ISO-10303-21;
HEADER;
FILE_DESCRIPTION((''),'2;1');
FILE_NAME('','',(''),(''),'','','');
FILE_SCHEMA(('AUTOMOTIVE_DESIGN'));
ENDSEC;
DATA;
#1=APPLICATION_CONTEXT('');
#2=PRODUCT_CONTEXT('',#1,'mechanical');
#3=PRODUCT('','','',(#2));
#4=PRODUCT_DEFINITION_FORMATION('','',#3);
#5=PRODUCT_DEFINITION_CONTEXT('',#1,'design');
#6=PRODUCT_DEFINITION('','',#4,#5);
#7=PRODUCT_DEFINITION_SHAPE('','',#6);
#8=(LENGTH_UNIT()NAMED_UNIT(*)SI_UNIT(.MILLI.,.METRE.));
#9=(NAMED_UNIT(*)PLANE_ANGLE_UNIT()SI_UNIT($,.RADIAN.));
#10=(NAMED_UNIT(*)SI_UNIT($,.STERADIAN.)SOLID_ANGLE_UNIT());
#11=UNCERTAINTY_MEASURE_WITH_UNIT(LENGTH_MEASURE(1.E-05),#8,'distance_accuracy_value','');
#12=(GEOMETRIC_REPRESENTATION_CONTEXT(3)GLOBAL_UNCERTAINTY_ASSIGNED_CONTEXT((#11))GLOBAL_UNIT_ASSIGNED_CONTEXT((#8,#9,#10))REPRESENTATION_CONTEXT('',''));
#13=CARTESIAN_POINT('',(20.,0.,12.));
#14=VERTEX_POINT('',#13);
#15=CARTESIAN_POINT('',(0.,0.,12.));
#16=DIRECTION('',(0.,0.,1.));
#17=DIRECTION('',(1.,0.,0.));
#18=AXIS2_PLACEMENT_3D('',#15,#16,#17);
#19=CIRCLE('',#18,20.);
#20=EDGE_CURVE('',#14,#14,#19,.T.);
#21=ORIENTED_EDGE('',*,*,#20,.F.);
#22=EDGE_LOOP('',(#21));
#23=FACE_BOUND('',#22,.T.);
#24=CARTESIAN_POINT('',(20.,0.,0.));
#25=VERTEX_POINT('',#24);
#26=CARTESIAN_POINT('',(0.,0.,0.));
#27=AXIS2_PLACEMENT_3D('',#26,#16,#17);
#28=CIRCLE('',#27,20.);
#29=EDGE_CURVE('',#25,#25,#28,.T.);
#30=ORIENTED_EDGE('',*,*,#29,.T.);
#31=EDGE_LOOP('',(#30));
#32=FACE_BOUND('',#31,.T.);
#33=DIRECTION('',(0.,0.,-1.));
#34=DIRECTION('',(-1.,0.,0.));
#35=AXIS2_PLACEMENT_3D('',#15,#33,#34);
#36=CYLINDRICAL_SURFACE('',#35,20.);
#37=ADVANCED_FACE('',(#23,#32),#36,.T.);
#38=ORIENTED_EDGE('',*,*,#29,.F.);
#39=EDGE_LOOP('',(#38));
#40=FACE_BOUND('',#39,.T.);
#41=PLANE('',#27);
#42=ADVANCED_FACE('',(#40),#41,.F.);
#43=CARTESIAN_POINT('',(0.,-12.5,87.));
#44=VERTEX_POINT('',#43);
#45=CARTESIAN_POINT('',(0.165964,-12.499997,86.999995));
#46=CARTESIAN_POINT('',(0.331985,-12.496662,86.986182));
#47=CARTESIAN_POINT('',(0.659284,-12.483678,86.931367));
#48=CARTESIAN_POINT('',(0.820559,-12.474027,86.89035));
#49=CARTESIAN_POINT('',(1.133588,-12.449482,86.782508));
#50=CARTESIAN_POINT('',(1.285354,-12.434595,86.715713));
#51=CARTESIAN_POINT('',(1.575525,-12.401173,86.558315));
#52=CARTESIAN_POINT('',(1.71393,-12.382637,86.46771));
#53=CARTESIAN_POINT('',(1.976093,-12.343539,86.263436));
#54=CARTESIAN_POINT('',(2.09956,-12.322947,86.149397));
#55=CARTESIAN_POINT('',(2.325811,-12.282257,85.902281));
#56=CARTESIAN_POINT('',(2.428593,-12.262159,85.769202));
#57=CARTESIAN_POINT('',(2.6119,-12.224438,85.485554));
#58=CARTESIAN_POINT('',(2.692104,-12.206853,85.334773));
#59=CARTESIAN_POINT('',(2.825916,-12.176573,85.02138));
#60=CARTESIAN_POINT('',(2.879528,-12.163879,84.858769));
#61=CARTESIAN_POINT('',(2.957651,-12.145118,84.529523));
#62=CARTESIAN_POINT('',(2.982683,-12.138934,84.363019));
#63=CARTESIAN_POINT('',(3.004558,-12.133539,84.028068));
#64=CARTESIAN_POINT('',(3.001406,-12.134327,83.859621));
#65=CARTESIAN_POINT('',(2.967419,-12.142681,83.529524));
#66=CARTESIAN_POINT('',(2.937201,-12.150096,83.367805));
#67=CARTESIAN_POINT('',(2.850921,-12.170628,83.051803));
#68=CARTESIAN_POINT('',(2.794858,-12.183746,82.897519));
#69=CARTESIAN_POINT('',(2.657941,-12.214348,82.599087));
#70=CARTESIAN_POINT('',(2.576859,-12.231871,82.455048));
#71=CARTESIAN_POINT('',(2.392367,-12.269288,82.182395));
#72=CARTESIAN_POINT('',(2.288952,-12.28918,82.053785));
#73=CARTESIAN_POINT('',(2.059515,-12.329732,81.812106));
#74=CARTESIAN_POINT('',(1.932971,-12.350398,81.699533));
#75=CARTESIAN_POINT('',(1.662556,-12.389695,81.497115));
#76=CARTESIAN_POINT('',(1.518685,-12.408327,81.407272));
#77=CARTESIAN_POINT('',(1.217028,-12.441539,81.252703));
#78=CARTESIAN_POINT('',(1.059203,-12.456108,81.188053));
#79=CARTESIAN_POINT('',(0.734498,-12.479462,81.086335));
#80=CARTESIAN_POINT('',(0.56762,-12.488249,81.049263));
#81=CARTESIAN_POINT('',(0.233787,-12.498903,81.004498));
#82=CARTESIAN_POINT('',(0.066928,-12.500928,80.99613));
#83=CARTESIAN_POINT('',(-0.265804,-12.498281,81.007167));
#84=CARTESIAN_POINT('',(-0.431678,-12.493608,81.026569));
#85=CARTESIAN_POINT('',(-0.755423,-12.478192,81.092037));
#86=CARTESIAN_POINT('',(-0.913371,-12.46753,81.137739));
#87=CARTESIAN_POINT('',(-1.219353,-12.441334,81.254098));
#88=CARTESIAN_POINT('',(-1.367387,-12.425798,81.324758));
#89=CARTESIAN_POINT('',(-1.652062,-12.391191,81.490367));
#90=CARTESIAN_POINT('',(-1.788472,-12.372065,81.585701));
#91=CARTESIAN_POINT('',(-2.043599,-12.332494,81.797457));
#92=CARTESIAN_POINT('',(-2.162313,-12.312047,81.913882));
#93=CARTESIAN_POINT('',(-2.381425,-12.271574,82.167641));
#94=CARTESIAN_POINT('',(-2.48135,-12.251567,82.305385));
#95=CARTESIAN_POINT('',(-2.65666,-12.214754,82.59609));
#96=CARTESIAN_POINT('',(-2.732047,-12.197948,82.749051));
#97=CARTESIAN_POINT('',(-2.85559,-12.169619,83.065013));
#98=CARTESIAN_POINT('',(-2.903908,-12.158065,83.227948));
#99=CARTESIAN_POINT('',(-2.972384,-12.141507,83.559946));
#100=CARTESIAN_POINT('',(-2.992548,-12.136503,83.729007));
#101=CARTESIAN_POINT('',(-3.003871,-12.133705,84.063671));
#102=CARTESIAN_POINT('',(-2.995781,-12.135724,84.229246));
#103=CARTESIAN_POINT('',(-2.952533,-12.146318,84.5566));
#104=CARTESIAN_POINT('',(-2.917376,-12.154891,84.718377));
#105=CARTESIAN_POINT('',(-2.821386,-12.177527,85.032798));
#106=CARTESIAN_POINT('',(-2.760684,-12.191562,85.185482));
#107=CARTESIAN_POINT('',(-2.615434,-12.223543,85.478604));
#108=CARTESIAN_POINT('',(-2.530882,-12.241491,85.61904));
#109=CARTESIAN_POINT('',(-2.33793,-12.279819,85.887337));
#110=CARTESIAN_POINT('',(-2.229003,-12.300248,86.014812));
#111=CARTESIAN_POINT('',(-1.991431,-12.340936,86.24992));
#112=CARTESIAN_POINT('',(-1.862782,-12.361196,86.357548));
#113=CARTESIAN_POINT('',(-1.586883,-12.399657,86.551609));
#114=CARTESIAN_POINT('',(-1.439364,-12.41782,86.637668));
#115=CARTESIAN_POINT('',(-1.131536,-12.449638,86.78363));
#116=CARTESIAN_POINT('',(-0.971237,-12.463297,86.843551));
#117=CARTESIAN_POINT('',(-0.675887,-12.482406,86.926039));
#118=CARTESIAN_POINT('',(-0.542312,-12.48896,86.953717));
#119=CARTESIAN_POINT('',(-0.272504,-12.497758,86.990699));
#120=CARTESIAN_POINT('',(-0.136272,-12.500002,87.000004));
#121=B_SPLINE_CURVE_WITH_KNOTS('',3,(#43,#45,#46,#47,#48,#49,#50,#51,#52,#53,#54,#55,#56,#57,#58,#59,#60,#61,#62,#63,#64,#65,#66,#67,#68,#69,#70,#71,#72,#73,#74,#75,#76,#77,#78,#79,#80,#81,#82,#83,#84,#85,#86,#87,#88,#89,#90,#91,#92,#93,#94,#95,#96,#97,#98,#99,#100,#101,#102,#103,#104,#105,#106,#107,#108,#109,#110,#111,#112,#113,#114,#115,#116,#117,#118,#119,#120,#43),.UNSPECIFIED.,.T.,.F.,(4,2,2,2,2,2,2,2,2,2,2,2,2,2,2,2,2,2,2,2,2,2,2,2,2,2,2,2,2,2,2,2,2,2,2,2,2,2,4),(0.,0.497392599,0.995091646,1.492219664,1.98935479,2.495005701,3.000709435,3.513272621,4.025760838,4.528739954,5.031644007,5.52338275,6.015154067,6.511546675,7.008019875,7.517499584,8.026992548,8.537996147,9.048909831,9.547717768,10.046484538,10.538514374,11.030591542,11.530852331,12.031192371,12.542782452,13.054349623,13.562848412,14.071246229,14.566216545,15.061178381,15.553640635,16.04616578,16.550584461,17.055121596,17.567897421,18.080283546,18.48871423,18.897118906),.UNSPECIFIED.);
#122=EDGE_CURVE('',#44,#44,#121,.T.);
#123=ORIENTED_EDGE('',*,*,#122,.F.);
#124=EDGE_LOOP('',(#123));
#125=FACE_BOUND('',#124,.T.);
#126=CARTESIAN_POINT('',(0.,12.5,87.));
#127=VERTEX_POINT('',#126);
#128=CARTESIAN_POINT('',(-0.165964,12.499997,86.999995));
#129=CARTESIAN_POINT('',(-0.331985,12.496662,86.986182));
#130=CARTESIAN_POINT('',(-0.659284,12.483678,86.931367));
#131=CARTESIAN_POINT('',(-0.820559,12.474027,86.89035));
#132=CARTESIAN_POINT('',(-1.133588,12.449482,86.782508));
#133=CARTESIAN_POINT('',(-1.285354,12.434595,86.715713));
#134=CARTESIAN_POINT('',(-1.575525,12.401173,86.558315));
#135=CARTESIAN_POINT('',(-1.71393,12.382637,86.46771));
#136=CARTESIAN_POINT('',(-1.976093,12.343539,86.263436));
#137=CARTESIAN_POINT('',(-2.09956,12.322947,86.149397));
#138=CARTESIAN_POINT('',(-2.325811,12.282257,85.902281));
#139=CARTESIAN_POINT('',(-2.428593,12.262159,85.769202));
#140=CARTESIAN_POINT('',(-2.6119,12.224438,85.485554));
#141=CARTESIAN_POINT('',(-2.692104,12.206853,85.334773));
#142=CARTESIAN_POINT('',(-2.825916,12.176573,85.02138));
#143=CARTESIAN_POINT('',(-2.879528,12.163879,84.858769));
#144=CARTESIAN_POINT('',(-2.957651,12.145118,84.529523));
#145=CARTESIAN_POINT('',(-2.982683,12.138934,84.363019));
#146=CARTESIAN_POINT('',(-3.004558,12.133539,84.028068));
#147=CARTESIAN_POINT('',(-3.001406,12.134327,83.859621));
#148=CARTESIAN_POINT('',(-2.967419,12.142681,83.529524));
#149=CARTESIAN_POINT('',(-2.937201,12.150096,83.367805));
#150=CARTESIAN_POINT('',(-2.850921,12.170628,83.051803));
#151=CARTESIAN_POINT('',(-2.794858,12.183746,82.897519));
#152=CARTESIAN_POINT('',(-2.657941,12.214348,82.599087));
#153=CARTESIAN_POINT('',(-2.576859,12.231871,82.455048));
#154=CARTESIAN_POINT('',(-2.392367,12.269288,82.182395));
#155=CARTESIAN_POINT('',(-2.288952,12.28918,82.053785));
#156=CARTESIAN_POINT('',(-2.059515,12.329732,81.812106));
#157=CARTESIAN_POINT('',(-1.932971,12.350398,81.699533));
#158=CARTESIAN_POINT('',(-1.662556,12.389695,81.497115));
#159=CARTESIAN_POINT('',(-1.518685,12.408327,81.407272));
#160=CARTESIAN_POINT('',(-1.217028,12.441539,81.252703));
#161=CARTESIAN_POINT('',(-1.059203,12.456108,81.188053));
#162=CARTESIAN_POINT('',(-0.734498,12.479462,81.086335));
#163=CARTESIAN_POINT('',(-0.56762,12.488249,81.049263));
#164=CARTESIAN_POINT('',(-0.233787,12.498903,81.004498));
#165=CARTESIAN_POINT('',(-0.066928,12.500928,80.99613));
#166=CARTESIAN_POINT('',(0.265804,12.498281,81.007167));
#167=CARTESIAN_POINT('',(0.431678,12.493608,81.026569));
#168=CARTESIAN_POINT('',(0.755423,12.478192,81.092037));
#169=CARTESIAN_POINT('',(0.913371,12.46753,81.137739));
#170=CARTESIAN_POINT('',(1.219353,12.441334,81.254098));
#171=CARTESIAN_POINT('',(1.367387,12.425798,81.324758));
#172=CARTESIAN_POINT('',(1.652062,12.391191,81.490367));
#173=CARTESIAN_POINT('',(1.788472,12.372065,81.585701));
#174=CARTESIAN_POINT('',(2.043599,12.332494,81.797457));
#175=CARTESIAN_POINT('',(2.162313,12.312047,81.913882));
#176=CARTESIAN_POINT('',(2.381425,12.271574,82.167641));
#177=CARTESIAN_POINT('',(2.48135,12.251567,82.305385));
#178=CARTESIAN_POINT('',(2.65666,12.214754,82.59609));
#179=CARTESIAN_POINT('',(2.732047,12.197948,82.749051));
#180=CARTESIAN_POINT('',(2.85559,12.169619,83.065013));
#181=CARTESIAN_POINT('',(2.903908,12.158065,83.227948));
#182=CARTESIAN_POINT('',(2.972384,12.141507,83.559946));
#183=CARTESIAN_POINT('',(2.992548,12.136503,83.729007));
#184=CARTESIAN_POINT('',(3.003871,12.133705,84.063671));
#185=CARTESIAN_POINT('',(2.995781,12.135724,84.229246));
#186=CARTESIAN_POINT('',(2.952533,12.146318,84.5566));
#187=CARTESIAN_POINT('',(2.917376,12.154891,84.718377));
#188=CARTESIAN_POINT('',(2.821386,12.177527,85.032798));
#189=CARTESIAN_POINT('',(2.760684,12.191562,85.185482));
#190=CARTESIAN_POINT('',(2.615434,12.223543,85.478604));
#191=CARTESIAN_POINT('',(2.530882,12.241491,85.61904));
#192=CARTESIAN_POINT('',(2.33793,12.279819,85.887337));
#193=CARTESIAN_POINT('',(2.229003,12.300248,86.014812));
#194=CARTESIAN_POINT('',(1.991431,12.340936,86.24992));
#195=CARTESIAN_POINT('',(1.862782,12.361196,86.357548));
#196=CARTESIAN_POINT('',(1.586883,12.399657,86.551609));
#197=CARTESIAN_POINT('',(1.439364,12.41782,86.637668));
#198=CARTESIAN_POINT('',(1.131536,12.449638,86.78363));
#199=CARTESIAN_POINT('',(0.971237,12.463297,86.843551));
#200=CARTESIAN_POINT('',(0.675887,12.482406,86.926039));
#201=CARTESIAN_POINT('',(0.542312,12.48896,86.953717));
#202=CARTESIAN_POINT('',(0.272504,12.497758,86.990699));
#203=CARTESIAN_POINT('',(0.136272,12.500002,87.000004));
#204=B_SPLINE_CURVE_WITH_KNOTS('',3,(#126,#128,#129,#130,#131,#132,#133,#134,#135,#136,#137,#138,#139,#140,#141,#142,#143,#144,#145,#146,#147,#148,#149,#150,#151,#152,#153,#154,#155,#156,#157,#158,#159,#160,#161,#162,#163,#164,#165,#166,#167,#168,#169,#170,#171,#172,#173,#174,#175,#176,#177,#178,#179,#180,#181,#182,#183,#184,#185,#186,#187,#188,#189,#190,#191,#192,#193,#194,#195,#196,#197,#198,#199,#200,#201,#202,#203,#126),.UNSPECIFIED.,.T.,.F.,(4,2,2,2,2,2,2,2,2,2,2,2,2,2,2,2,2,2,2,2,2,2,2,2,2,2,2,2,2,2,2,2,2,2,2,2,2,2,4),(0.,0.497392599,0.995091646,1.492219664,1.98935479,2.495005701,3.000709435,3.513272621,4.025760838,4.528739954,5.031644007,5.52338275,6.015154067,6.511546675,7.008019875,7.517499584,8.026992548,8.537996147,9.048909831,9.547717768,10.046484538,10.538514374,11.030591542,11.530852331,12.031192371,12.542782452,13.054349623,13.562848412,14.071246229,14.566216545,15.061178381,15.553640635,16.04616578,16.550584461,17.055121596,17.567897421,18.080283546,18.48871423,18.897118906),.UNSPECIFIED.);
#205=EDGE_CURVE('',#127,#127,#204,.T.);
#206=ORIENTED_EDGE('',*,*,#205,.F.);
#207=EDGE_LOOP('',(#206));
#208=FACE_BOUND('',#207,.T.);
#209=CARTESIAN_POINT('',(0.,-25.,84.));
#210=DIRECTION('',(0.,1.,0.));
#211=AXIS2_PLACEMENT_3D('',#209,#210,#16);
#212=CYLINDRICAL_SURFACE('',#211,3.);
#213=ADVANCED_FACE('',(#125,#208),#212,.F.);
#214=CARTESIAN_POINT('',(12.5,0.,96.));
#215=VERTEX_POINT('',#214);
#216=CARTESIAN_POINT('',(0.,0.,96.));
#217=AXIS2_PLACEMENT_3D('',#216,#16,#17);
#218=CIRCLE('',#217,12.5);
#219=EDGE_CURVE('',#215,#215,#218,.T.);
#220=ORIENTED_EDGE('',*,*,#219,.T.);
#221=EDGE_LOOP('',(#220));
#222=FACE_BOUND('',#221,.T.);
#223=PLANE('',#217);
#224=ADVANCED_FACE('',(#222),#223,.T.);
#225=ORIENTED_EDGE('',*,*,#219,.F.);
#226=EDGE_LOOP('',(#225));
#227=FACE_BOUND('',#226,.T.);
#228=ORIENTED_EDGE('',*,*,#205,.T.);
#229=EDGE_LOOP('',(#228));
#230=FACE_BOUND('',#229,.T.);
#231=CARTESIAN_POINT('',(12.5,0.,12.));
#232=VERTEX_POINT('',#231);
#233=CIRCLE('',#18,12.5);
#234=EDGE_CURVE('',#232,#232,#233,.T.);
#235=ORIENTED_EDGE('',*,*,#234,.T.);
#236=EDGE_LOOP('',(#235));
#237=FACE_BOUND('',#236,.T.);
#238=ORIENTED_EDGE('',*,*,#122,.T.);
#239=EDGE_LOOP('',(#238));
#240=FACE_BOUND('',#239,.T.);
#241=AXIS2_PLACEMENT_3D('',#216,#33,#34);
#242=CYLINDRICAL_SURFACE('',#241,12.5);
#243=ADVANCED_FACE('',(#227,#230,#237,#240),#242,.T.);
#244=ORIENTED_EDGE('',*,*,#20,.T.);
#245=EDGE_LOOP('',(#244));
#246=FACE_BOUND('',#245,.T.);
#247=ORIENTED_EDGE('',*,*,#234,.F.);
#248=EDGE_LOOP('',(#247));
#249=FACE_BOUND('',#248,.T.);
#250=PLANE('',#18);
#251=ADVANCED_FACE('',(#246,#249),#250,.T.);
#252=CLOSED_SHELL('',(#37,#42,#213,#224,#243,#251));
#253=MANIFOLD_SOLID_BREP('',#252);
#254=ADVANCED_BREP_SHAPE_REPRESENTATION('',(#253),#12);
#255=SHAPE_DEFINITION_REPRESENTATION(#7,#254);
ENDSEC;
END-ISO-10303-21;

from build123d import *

# Parameters (mm, degrees)
SKETCH1_R           = 20
BOSS_EXTRUDE1_DEPTH = 12
SKETCH2_R           = 12.5
BOSS_EXTRUDE2_DEPTH = 84
SKETCH3_R           = 3
CUT_EXTRUDE1_DEPTH  = 25


with BuildPart() as part:
    # Sketch1 → Boss-Extrude1 (new body)
    with BuildSketch(Plane.XY):
        Circle(SKETCH1_R)
    extrude(amount=BOSS_EXTRUDE1_DEPTH)

    # Sketch2 → Boss-Extrude2 (add)
    with BuildSketch(Plane.XY.offset(12)):
        with Locations(Location((0, 0, 0), (0, 0, 180))):
            Circle(SKETCH2_R)
    extrude(amount=BOSS_EXTRUDE2_DEPTH)

    # Sketch3 → Cut-Extrude1 (cut, symmetric)
    with BuildSketch(Plane(origin=(0, 0, 0), x_dir=(1, 0, 0), z_dir=(0, 1, 0))):
        with Locations(Location((0, -84, 0), (0, 0, 270))):
            Circle(SKETCH3_R)
    extrude(amount=CUT_EXTRUDE1_DEPTH, both=True, mode=Mode.SUBTRACT)


solid = part.part
